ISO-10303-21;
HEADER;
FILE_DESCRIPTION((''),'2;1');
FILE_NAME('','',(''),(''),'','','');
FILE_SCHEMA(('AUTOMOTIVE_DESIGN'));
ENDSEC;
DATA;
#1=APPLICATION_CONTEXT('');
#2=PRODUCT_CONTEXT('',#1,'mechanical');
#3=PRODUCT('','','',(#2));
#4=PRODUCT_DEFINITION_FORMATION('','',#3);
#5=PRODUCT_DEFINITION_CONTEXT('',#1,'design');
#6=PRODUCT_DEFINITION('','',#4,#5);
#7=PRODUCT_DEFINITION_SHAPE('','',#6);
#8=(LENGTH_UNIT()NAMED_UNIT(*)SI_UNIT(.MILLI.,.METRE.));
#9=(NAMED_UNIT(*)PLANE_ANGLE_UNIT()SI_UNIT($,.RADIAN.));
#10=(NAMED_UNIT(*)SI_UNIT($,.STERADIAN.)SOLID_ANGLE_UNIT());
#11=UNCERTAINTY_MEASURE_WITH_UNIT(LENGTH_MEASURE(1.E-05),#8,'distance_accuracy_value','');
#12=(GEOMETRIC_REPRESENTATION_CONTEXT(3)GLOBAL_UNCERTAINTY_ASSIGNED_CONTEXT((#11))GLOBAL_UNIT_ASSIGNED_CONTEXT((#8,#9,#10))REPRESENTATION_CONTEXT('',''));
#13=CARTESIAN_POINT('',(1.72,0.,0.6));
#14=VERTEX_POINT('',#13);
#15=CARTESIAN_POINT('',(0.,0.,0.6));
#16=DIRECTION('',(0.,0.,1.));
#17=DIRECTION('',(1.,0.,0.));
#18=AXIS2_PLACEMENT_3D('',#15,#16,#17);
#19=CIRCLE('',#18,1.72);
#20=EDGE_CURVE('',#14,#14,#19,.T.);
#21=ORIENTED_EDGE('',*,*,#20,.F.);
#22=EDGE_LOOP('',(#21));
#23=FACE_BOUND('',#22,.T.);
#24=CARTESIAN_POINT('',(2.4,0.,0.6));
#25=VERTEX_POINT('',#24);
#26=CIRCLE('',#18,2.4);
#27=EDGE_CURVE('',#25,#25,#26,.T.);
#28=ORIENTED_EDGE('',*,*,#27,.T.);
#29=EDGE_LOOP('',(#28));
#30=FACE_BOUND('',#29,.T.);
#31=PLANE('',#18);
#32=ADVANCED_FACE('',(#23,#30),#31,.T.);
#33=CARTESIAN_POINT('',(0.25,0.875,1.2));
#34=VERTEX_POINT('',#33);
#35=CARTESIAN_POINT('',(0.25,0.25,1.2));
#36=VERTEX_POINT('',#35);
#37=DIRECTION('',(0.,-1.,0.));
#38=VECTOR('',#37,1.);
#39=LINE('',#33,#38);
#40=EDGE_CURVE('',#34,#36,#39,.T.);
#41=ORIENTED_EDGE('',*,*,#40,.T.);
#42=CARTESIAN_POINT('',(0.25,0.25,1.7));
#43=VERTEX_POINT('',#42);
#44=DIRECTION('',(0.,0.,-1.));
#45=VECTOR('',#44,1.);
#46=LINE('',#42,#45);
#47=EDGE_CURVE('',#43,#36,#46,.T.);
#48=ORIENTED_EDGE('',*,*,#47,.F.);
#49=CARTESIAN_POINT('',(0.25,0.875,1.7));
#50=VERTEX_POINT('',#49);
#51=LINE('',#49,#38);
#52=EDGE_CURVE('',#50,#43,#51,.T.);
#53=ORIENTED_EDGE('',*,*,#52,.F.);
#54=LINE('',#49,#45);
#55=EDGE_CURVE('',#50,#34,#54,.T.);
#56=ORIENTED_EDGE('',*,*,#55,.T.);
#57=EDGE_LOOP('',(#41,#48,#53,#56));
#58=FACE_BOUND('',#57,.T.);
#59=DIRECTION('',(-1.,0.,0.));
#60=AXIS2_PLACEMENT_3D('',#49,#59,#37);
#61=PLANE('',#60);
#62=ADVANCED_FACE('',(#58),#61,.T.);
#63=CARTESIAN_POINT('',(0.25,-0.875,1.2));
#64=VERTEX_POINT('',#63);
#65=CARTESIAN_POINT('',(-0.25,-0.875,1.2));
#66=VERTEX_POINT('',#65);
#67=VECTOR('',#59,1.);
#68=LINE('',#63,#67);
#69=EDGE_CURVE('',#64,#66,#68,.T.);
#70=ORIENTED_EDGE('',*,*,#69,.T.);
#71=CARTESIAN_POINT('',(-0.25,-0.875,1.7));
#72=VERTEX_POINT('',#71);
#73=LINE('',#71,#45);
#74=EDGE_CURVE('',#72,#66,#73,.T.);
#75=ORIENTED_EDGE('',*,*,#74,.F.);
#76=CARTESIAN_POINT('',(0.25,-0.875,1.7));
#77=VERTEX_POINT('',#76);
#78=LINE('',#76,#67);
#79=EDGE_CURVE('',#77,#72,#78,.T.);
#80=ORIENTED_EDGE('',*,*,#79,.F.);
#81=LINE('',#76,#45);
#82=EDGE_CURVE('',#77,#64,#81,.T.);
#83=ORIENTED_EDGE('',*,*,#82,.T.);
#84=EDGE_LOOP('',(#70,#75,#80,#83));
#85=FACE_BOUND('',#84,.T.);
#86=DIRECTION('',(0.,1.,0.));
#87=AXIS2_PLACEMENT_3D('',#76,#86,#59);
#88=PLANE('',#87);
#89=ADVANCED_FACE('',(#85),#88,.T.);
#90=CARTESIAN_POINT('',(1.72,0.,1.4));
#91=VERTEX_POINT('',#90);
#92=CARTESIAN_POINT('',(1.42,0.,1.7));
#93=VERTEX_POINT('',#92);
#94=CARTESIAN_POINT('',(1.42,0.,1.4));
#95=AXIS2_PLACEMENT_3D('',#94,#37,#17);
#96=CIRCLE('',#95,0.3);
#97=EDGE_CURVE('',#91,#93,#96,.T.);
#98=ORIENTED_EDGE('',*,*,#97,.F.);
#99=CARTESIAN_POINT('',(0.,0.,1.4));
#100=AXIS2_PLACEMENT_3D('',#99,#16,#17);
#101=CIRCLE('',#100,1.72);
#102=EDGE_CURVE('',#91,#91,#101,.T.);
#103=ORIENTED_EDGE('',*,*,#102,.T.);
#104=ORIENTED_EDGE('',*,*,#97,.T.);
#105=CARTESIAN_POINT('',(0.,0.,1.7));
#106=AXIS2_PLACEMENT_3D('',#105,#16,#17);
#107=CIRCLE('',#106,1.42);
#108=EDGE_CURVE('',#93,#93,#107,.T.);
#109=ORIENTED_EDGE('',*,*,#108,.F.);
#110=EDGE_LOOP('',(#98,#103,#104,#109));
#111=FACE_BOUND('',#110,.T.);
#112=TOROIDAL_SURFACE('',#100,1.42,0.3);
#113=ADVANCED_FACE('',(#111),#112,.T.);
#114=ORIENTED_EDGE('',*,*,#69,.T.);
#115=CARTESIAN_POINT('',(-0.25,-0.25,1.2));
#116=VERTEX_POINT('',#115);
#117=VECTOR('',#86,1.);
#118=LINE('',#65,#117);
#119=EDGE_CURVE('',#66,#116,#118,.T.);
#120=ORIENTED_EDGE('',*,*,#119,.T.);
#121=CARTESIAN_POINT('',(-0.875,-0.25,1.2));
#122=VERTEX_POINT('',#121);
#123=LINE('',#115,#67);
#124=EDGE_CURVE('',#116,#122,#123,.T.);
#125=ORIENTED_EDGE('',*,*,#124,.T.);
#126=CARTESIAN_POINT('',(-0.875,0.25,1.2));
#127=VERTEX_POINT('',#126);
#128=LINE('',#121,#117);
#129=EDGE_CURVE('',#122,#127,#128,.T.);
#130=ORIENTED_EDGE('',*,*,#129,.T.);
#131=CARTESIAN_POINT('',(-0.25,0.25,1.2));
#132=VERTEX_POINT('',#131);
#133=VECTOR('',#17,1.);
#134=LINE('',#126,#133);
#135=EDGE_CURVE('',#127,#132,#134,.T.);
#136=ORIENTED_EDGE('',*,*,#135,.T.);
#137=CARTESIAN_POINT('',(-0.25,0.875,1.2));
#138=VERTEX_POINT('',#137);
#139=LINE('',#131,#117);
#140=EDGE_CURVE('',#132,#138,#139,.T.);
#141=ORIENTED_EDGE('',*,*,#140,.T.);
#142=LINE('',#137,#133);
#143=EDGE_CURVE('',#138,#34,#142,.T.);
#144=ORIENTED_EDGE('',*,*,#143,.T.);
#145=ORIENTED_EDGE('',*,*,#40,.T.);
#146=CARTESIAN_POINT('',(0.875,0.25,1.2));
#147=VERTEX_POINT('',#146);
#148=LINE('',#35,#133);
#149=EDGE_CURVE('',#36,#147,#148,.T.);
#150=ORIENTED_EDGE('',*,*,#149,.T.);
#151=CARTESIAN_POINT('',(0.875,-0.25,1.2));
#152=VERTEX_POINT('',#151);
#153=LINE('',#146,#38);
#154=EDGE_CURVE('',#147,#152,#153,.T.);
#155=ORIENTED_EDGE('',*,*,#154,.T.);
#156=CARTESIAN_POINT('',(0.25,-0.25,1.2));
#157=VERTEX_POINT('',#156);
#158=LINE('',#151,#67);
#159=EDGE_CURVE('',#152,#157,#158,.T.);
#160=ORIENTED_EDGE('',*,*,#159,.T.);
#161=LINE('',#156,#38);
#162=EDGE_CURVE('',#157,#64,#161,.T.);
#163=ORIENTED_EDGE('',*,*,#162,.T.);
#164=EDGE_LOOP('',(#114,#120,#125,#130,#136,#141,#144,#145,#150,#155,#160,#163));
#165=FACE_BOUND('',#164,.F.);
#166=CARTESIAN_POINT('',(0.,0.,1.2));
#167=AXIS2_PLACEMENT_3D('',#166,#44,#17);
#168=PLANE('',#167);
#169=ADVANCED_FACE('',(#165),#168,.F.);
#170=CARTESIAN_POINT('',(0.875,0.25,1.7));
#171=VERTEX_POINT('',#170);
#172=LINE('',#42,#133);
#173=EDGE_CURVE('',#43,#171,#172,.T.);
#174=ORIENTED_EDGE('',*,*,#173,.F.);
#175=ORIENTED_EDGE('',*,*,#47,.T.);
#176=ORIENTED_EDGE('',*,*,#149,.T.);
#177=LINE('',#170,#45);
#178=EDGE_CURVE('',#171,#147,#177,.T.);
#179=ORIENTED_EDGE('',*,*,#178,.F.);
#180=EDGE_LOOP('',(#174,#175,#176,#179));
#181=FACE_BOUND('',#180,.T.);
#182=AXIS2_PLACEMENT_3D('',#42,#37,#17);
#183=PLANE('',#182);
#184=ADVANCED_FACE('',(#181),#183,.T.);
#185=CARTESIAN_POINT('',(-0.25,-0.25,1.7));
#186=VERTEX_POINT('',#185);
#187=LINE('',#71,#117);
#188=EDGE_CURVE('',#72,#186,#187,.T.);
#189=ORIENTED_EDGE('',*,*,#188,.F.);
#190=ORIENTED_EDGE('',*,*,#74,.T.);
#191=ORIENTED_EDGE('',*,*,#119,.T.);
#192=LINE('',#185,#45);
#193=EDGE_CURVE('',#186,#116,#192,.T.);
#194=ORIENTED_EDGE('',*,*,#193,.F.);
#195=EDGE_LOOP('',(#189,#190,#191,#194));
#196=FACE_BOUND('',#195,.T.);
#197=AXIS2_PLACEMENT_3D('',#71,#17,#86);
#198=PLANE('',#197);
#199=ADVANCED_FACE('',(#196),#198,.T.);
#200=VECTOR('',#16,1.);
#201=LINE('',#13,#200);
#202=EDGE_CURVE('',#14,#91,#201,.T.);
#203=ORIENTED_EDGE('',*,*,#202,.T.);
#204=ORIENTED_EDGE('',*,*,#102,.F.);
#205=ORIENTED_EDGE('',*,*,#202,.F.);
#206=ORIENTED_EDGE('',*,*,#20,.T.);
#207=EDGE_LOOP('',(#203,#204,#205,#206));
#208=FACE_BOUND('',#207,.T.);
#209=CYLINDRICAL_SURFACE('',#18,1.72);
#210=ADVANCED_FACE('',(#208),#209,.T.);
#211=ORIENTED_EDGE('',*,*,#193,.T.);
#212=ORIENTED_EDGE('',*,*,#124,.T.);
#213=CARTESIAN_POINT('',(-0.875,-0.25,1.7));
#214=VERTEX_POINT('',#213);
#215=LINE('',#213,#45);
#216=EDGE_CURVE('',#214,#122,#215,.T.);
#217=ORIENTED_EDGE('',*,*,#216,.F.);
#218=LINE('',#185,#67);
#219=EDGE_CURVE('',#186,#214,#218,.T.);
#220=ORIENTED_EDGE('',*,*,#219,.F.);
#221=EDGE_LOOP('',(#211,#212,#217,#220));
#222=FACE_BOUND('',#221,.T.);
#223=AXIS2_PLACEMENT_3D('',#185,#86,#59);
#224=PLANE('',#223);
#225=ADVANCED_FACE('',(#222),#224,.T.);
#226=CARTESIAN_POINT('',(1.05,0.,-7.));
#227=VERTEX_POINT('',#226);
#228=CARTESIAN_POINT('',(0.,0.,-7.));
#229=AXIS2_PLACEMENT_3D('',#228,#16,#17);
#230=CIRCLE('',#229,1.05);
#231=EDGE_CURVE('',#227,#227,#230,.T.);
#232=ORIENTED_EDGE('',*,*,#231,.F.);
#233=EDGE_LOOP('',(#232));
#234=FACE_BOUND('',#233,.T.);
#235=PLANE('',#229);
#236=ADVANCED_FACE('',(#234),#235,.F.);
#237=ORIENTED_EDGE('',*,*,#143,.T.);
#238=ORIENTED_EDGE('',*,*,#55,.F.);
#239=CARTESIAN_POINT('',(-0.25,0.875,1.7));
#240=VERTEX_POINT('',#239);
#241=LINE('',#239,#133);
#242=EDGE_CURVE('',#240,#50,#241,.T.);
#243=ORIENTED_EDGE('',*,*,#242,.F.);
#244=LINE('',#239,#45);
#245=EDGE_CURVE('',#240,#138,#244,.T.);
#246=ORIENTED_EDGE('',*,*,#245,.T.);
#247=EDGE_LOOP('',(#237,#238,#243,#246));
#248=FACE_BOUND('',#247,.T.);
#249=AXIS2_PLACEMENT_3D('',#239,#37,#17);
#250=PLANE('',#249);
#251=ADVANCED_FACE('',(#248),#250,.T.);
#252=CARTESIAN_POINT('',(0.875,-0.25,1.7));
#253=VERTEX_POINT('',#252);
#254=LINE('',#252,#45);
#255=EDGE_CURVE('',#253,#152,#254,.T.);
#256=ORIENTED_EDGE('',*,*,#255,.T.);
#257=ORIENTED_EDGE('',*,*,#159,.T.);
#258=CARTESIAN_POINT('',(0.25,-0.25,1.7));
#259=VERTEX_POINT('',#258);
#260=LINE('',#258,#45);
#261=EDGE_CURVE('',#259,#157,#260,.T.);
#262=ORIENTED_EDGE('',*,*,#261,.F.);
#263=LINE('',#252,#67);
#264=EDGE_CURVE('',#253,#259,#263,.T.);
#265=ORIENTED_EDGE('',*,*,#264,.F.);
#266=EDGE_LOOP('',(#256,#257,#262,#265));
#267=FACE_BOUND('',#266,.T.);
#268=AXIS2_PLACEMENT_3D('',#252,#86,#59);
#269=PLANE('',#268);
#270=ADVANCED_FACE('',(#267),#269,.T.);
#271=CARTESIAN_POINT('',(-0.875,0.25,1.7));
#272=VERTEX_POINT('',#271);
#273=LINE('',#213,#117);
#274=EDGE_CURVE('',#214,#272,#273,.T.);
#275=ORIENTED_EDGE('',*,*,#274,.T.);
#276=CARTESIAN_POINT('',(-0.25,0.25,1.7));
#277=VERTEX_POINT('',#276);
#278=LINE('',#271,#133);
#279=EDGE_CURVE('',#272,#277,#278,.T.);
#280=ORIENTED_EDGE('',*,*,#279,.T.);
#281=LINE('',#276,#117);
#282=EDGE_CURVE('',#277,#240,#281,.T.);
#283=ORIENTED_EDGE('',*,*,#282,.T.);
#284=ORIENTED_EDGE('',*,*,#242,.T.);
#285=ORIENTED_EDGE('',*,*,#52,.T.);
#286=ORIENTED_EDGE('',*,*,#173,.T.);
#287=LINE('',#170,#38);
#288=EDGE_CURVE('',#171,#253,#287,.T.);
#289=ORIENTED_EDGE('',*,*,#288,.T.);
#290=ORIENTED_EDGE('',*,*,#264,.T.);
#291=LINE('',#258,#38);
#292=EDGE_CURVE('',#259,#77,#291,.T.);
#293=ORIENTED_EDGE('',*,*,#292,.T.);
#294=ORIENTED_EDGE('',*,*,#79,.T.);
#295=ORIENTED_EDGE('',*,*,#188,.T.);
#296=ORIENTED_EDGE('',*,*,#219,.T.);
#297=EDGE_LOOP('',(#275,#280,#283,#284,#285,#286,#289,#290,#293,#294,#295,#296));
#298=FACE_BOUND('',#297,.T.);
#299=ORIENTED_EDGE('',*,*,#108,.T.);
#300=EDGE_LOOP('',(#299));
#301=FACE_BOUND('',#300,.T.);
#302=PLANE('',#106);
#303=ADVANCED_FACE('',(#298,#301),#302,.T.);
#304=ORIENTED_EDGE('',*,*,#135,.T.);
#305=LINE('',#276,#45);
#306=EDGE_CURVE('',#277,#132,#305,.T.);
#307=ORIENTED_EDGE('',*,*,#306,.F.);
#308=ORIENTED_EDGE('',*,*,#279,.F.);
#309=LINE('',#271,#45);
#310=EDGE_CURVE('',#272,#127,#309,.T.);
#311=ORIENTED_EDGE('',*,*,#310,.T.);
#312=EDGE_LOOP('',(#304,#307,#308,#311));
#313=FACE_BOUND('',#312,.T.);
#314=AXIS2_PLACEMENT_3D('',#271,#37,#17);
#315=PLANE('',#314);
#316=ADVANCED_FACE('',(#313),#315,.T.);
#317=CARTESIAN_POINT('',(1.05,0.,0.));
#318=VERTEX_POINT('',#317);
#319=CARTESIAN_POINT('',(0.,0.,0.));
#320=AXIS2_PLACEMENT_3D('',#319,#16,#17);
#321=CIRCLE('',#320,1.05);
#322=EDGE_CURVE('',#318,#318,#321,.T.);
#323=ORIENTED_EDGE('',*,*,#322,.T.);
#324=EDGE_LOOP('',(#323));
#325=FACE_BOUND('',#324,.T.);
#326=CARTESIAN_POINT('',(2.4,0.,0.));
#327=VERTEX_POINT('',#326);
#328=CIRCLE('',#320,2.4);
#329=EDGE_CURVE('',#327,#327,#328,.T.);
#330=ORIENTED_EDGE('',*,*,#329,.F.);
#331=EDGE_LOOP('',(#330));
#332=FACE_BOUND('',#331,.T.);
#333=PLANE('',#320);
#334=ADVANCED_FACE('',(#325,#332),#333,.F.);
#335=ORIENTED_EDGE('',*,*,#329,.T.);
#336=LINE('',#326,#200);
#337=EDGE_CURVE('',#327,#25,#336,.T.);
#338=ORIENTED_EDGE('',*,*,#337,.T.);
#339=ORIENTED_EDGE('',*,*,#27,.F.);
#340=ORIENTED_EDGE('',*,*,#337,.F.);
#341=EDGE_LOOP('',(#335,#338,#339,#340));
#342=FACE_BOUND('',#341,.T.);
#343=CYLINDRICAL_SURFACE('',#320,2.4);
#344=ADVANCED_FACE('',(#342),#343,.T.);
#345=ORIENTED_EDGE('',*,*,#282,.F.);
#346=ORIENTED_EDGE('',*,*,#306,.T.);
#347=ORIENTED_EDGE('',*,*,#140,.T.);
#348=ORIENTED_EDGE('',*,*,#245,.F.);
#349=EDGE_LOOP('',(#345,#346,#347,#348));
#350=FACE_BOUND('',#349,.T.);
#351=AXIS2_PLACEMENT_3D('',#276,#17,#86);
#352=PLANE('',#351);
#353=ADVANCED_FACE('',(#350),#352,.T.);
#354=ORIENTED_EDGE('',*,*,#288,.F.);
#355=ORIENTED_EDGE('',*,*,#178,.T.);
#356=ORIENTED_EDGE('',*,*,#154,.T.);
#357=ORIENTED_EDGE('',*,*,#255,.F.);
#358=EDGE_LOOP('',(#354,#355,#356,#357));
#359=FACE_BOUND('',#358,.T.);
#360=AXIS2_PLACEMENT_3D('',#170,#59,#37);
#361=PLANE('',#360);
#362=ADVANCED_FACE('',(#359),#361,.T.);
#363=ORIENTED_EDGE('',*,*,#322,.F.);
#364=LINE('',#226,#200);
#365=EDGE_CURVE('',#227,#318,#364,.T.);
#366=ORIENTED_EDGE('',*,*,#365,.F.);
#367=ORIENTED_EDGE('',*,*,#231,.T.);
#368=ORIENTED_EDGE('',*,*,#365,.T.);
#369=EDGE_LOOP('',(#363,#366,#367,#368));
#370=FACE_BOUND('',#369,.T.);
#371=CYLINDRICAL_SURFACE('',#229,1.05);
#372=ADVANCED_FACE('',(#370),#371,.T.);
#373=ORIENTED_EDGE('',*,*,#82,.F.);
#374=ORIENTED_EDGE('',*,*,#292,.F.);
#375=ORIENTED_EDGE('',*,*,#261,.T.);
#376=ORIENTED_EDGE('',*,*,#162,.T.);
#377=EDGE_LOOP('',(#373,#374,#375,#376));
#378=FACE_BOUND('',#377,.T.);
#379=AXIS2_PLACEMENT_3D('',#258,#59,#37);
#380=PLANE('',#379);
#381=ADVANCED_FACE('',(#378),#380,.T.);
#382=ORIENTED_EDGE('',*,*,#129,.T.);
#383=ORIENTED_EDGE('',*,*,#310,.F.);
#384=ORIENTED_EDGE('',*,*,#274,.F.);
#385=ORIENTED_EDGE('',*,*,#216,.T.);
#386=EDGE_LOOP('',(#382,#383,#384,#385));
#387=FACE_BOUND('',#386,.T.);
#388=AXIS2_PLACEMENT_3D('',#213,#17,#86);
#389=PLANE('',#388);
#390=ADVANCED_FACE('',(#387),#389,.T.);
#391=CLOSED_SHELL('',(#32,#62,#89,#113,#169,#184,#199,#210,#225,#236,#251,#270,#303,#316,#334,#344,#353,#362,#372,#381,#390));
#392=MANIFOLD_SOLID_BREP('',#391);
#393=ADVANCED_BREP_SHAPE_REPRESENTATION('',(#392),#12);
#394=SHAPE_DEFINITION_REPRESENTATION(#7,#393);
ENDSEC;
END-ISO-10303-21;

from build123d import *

# Parameters (mm, degrees)
POCKET_DEPTH = 0.5
FILLET_R     = 0.3


with BuildPart() as part:
    # Sketch001 → Revolution (revolve)
    with BuildSketch(Plane.XZ):
        Polygon((1.05, -7), (1.05, 0), (2.4, 0), (2.4, 0.6), (1.72, 0.6), (1.72, 1.7), (0, 1.7), (0, -7), align=None)
    revolve(axis=Axis((0, 0, 0), (0, 0, 1)))

    # Sketch → Pocket (cut)
    with BuildSketch(Plane(origin=(0, 0, 1.7), x_dir=(-1, 0, 0), z_dir=(0, 0, 1))):
        Polygon((-0.25, 0.875), (0.25, 0.875), (0.25, 0.25), (0.875, 0.25), (0.875, -0.25), (0.25, -0.25), (0.25, -0.875), (-0.25, -0.875), (-0.25, -0.25), (-0.875, -0.25), (-0.875, 0.25), (-0.25, 0.25), align=None)
    extrude(amount=-POCKET_DEPTH, mode=Mode.SUBTRACT)

    # Fillet
    fillet_edges = [part.edges().sort_by_distance(p)[0] for p in [
        (-1.72, 0, 1.7),
    ]]
    fillet(fillet_edges, radius=FILLET_R)


solid = part.part
